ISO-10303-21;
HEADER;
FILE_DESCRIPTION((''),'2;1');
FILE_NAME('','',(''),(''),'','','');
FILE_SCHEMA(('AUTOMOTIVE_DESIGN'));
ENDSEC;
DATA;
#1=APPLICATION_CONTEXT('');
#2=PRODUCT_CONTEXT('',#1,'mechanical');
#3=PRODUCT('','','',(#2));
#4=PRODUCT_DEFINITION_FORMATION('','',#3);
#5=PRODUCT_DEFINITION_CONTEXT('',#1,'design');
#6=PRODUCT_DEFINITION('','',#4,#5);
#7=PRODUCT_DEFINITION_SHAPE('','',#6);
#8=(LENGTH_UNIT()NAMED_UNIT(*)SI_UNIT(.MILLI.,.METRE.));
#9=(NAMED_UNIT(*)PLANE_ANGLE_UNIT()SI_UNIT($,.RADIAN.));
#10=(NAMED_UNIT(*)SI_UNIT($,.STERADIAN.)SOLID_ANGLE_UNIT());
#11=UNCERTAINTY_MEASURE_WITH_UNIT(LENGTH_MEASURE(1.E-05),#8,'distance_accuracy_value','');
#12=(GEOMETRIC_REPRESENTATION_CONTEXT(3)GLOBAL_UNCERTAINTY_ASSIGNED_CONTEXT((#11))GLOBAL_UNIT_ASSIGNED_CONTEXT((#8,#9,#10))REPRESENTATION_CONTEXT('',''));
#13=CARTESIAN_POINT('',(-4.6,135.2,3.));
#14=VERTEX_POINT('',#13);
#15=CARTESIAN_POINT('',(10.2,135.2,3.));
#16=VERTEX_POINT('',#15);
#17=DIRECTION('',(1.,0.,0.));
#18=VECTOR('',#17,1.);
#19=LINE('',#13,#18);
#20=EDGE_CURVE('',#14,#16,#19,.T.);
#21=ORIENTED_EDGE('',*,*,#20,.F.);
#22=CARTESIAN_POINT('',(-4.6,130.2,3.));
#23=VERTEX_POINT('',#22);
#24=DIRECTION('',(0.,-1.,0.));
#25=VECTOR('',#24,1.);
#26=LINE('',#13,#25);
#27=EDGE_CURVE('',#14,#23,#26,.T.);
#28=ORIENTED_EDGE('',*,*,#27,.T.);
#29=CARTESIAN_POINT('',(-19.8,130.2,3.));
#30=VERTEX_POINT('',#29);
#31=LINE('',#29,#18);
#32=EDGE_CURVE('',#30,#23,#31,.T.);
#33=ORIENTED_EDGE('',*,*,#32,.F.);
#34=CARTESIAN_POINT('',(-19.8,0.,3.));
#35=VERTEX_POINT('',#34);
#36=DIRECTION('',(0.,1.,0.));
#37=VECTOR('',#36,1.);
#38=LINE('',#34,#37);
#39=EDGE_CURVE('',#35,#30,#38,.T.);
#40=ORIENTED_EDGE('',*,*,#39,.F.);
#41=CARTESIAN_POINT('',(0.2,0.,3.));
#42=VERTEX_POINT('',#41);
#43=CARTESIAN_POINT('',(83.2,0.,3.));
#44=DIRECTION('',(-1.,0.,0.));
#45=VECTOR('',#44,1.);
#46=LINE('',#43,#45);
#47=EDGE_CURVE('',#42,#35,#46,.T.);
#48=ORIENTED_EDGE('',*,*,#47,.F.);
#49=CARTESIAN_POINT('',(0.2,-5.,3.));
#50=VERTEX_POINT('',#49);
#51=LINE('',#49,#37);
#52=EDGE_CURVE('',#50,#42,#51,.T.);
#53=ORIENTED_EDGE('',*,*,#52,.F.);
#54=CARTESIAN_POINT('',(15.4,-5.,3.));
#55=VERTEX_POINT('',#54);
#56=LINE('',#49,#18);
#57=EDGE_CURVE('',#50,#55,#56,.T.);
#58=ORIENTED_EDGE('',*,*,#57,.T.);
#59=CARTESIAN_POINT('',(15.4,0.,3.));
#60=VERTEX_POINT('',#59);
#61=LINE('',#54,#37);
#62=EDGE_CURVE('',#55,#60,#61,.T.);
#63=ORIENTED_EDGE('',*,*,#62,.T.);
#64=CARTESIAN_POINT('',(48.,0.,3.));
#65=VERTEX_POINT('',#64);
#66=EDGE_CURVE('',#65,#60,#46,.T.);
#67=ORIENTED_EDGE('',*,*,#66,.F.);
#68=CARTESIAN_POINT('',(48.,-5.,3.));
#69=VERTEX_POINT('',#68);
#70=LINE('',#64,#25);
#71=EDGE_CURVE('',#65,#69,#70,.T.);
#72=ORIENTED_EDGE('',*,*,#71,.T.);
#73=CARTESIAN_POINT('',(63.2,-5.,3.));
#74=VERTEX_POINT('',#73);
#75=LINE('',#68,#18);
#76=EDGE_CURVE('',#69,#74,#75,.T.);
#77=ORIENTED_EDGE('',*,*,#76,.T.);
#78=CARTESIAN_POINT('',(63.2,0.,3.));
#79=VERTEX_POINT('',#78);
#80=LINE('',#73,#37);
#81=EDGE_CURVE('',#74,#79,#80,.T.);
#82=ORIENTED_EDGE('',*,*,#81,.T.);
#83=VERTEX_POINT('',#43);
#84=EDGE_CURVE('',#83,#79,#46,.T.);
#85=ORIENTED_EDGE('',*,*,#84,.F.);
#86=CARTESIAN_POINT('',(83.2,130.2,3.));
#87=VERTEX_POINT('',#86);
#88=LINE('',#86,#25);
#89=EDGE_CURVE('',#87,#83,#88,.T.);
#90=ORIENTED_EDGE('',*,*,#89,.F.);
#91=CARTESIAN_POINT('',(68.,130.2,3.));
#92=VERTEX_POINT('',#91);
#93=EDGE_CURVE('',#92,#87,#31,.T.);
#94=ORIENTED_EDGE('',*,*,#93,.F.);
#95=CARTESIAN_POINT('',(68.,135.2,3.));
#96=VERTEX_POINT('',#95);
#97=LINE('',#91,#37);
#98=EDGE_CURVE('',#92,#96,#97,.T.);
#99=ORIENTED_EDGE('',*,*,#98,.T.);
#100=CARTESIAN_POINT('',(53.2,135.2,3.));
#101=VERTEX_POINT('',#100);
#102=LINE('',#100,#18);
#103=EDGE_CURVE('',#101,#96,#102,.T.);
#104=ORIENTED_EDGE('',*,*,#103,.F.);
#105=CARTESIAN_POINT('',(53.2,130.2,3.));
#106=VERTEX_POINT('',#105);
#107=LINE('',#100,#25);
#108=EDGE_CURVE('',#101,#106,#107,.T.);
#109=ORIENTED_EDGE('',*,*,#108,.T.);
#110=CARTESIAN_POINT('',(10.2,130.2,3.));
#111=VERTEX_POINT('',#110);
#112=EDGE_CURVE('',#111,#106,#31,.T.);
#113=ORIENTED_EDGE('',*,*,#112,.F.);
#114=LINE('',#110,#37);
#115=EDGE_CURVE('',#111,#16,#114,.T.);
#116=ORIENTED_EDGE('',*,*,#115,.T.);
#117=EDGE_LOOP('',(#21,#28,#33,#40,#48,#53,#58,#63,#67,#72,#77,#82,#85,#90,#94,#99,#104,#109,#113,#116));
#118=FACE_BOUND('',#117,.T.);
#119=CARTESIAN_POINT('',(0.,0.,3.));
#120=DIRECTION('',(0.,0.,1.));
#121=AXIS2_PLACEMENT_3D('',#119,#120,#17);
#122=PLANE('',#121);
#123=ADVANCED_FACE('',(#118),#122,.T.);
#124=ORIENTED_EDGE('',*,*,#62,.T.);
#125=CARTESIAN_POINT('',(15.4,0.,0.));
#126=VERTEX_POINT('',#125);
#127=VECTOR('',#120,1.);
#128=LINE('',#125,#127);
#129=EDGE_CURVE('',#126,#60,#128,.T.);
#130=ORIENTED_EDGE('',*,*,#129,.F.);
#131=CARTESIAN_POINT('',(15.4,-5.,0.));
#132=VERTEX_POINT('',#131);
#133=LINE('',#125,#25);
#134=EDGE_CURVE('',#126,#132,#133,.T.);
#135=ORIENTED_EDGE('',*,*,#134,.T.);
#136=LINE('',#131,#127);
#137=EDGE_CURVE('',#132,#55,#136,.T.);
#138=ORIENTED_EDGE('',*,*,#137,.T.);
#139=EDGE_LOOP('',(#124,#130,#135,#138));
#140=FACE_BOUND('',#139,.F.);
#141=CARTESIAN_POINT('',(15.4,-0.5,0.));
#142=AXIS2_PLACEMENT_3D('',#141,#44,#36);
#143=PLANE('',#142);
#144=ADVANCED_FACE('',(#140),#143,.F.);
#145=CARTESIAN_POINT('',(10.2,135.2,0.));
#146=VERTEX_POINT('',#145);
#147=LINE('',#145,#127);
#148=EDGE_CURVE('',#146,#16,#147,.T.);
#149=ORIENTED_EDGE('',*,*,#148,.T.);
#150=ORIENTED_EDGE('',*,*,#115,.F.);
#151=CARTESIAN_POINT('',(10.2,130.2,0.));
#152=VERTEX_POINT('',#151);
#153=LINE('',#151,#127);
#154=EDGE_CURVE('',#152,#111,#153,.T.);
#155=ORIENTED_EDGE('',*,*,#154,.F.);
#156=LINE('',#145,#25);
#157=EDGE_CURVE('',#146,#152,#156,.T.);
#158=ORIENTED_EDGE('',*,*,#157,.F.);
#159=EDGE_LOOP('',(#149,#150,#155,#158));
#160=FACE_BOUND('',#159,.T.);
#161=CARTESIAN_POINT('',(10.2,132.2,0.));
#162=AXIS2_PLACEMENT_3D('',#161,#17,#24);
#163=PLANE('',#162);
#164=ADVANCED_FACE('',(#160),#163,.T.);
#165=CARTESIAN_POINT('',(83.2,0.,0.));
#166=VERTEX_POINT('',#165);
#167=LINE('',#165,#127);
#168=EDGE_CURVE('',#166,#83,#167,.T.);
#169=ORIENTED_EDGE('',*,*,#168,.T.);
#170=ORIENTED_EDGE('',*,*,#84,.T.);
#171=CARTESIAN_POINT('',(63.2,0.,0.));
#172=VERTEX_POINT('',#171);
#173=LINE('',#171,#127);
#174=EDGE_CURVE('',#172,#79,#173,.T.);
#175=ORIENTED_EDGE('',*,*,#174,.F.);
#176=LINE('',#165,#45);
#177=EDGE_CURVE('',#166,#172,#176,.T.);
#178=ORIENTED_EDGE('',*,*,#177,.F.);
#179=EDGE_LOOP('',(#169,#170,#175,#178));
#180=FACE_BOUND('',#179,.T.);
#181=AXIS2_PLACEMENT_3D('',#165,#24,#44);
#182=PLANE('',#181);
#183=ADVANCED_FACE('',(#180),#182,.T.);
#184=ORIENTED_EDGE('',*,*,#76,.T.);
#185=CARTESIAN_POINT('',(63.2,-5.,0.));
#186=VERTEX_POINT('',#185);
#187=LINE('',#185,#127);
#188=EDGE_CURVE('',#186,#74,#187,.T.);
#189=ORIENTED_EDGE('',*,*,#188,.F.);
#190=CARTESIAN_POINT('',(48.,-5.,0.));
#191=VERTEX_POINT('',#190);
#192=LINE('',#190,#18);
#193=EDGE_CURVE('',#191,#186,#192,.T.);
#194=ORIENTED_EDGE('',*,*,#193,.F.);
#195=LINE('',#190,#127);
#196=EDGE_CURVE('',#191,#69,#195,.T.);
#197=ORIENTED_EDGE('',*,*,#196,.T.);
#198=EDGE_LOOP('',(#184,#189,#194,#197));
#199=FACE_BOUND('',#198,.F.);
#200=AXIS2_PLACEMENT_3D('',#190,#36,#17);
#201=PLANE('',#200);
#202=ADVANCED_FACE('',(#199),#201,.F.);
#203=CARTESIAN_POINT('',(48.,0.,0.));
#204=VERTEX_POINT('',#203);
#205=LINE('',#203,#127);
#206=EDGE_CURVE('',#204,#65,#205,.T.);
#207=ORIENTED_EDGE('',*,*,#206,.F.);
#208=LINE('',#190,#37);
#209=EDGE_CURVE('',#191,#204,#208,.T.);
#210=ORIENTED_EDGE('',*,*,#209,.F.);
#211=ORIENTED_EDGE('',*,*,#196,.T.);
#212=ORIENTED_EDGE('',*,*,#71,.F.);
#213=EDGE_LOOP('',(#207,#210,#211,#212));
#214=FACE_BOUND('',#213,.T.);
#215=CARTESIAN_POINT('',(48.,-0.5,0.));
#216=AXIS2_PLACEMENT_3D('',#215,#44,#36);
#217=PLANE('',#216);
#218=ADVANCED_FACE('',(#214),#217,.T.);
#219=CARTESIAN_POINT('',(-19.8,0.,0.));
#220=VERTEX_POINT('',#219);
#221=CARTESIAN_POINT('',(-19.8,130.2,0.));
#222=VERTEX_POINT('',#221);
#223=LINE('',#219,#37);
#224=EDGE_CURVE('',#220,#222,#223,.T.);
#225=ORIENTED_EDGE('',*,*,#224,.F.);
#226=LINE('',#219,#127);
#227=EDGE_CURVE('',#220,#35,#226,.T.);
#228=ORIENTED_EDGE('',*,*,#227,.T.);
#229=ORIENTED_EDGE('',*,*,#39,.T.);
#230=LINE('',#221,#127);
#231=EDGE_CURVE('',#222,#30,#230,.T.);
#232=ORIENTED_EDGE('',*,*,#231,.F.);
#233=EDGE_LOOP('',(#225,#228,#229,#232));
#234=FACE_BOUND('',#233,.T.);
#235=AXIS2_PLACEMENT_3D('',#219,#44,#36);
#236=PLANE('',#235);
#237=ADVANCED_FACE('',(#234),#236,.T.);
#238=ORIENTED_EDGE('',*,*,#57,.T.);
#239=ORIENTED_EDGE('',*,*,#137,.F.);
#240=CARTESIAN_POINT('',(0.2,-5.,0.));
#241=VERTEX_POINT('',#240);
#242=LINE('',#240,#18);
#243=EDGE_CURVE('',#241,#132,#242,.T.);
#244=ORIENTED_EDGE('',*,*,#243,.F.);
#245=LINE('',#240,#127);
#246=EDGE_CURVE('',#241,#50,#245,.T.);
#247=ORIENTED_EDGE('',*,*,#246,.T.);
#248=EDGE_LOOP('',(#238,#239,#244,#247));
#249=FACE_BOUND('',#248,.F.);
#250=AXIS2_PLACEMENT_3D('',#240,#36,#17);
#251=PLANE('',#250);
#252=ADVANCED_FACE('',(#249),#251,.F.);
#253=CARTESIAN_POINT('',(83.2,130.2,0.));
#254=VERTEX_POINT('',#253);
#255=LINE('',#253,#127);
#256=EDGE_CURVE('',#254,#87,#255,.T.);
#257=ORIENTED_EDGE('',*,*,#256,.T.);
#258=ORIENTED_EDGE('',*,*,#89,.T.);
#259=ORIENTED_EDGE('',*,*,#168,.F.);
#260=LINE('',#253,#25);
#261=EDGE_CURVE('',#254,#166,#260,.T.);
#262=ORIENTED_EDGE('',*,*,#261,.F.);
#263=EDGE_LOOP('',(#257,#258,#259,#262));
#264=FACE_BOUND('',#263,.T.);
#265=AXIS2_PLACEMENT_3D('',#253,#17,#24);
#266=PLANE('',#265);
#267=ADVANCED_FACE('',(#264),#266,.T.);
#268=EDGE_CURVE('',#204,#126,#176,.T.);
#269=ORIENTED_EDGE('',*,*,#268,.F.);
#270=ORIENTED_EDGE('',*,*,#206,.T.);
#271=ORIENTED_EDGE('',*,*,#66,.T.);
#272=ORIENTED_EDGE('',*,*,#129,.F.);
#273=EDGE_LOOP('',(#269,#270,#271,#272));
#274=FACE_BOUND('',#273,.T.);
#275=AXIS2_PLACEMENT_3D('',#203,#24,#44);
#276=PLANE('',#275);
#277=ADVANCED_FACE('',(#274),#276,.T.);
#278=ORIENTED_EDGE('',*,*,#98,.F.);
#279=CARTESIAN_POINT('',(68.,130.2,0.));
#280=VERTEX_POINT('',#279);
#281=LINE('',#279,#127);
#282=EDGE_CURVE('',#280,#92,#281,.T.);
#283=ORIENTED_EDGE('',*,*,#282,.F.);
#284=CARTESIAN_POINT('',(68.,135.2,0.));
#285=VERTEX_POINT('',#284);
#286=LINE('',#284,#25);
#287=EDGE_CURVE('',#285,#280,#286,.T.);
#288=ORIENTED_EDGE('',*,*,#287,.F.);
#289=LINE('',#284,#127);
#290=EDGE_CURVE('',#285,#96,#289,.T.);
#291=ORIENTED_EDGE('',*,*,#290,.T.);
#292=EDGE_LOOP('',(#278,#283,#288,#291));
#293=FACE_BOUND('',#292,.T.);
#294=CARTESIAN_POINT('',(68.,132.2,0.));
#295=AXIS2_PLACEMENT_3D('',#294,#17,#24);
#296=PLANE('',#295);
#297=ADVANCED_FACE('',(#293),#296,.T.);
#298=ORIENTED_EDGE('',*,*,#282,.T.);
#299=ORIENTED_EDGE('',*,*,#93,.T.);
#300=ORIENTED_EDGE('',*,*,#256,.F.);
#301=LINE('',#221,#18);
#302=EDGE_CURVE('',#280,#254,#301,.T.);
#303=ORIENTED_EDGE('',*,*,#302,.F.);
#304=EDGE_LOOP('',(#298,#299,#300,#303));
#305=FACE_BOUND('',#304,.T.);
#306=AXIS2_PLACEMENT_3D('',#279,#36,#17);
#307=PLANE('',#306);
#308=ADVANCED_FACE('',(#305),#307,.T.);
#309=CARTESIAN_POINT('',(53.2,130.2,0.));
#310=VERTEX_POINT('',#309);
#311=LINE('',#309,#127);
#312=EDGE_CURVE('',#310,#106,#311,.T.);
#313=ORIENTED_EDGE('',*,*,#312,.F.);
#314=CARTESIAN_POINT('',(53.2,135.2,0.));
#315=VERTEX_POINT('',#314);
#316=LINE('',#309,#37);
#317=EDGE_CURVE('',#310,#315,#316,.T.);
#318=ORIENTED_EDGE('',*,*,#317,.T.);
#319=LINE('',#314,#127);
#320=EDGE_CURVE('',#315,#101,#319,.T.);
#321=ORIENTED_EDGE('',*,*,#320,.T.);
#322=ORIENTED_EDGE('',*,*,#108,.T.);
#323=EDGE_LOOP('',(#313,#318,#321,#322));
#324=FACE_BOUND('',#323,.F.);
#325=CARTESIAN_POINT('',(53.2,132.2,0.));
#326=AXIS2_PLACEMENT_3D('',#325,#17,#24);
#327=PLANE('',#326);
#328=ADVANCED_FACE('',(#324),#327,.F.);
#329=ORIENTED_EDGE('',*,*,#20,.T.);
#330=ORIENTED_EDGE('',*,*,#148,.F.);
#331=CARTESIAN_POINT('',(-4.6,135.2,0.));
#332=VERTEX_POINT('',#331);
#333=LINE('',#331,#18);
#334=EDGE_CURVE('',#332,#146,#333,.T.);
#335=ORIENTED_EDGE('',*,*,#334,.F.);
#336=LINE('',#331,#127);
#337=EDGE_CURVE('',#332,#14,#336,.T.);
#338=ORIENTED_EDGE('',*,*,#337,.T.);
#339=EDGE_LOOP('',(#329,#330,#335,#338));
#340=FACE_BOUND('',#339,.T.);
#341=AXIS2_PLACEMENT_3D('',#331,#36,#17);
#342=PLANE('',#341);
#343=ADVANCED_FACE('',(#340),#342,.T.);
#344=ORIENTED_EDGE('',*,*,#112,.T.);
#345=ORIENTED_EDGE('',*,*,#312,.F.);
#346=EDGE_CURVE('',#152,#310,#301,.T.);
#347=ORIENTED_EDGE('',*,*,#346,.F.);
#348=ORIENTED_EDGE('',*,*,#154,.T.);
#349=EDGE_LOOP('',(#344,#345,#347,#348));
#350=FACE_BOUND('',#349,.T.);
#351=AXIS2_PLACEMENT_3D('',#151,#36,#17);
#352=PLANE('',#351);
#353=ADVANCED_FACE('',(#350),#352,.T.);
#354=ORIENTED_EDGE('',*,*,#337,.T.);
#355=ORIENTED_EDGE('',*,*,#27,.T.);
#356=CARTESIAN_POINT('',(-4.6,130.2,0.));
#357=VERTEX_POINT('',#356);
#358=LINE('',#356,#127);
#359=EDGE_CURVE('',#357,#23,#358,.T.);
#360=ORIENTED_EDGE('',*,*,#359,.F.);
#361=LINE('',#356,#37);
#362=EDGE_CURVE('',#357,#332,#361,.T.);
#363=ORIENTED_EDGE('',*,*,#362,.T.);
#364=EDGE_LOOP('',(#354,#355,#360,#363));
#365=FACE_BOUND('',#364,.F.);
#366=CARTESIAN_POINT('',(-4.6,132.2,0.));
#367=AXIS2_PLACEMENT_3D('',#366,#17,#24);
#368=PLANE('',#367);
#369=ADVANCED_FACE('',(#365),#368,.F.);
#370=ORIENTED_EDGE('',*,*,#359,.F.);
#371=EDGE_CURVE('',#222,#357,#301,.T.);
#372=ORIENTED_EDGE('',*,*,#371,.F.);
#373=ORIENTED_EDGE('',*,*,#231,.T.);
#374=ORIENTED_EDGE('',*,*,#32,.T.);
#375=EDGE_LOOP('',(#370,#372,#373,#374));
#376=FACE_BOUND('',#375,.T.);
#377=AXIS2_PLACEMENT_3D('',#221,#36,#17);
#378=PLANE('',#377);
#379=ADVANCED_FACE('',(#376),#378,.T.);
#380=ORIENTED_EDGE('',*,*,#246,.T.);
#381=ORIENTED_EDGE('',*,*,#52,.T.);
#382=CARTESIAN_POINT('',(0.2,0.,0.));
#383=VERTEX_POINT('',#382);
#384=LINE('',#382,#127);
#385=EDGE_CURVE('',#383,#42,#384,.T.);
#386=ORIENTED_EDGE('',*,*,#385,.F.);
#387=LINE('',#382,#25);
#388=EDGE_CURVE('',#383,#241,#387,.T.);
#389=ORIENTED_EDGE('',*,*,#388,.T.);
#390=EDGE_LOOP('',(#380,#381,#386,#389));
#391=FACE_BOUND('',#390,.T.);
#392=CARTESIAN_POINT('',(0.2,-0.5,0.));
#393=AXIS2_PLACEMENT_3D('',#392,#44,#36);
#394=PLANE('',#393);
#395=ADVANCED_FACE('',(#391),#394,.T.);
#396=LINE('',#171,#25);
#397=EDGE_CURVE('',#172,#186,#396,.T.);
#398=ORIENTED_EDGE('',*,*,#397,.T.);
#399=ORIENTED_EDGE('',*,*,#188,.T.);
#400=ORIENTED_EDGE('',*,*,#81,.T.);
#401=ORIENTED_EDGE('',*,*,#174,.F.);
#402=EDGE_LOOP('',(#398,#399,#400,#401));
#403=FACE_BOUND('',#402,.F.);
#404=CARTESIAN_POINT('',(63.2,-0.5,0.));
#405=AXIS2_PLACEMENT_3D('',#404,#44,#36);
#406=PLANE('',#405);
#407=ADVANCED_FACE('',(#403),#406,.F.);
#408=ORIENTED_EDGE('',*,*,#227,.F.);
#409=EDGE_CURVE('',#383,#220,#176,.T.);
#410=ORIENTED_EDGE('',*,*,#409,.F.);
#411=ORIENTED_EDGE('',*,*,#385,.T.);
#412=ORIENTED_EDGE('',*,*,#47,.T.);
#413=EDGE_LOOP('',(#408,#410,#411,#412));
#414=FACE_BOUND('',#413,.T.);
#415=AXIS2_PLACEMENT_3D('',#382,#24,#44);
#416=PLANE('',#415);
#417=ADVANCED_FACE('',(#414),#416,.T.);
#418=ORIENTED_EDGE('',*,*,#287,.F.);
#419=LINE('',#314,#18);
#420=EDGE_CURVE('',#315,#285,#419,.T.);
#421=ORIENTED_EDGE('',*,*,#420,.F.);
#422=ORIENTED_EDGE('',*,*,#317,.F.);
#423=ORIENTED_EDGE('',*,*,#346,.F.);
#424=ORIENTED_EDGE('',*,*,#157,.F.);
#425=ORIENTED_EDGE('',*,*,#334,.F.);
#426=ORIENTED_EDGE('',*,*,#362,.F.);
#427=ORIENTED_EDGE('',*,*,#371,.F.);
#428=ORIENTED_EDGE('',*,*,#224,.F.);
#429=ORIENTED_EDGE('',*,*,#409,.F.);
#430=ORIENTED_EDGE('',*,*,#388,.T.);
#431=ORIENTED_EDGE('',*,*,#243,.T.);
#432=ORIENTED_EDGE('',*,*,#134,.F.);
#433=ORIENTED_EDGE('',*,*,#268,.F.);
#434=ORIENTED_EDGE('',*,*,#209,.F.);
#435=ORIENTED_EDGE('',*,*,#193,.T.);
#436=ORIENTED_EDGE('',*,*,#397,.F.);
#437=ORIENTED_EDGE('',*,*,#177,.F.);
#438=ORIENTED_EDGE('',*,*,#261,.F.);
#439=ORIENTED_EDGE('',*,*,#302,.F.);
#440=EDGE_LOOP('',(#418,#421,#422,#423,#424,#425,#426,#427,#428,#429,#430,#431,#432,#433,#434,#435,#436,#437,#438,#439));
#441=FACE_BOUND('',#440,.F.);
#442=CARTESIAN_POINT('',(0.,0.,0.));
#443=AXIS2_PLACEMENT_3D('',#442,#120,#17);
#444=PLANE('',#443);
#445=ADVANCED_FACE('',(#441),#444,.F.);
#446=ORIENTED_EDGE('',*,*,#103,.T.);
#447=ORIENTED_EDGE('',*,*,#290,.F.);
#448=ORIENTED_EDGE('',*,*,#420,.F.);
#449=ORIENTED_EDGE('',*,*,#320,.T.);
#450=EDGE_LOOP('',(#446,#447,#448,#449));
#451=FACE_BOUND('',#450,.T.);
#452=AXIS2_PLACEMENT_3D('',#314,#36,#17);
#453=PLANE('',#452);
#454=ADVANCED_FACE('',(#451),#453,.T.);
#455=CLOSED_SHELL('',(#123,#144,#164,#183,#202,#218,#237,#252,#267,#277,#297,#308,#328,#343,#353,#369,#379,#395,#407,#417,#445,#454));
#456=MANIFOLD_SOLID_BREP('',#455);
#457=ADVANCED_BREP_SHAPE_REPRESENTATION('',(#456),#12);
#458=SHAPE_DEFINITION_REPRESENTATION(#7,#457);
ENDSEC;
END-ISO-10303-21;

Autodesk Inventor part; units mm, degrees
ref_plane "YZ Plane" through (0, 0, 0) normal (1, 0, 0) x (0, 1, 0)
ref_plane "XZ Plane" through (0, 0, 0) normal (0, 1, 0) x (-1, 0, 0)
ref_plane "XY Plane" through (0, 0, 0) normal (0, 0, 1) x (1, 0, 0)
sketch "Sketch1" plane through (0, 0, 0) normal (0, 0, 1) x (1, 0, 0)
  line L0 (0, -0.5) -> (15.6, -0.5) projected
  line L1 (0, -0.5) -> (0, -15) projected
  line L2 (0, -15) -> (15.6, -15) projected
  line L3 (15.6, -0.5) -> (15.6, -15) projected
  line L4 (47.8, -0.5) -> (63.4, -0.5) projected
  line L5 (47.8, -0.5) -> (47.8, -15) projected
  line L6 (47.8, -15) -> (63.4, -15) projected
  line L7 (63.4, -0.5) -> (63.4, -15) projected
  line L8 (53, 136.2) -> (53, 132.2) projected
  line L9 (53, 132.2) -> (68.2, 132.2) projected
  line L10 (68.2, 136.2) -> (68.2, 132.2) projected
  line L11 (68.2, 136.2) -> (53, 136.2) projected
  line L12 (-4.8, 136.2) -> (-4.8, 132.2) projected
  line L13 (-4.8, 132.2) -> (10.4, 132.2) projected
  line L14 (10.4, 136.2) -> (10.4, 132.2) projected
  line L15 (-4.8, 136.2) -> (10.4, 136.2) projected
  line L16 (63.2, -0.7) -> (48, -0.7)
  line L17 (48, -0.7) -> (48, -14.8)
  line L18 (48, -14.8) -> (63.2, -14.8)
  line L19 (63.2, -14.8) -> (63.2, -0.7)
  line L20 (15.4, -14.8) -> (0.2, -14.8)
  line L21 (0.2, -14.8) -> (0.2, -0.7)
  line L22 (0.2, -0.7) -> (15.4, -0.7)
  line L23 (15.4, -0.7) -> (15.4, -14.8)
  line L24 (53.2, 136) -> (53.2, 132.4)
  line L25 (53.2, 132.4) -> (68, 132.4)
  line L26 (68, 132.4) -> (68, 136)
  line L27 (68, 136) -> (53.2, 136)
  line L28 (10.2, 132.4) -> (-4.6, 132.4)
  line L29 (-4.6, 132.4) -> (-4.6, 136)
  line L30 (-4.6, 136) -> (10.2, 136)
  line L31 (10.2, 136) -> (10.2, 132.4)
  line L32 (-19.8, 130.2) -> (-19.8, 136.2) projected
  line L33 (-19.8, 130.2) -> (83.2, 130.2) projected
  line L34 (83.2, 136.2) -> (83.2, 130.2) projected
  line L35 (-19.8, 136.2) -> (83.2, 136.2) projected
  line L36 (-19.8, -29) -> (-19.8, 0) projected
  line L37 (-19.8, -29) -> (83.2, -29) projected
  line L38 (83.2, 0) -> (83.2, -29) projected
  line L39 (83.2, 0) -> (-19.8, 0) projected
  line L40 (67.8, -18.7754) -> (66.8, -18.7754) projected
  line L41 (66.8, -18.7754) -> (66.8, -22.0248) projected
  line L42 (66.8, -22.0248) -> (67.8, -22.0248) projected
  line L43 (67.8, -22.0248) -> (67.8, -24.6628) projected
  line L44 (67.8, -24.6628) -> (52.5, -24.6628) projected
  line L45 (52.5, -24.6628) -> (52.5, -22.0248) projected
  line L46 (52.5, -22.0248) -> (53.5, -22.0248) projected
  line L47 (53.5, -22.0248) -> (53.5, -18.7754) projected
  line L48 (53.5, -18.7754) -> (52.5, -18.7754) projected
  line L49 (52.5, -18.7754) -> (52.5, -16.1374) projected
  line L50 (52.5, -16.1374) -> (67.8, -16.1374) projected
  line L51 (67.8, -16.1374) -> (67.8, -18.7754) projected
  line L52 (-19.8, 130.2) -> (83.2, 130.2)
  line L53 (83.2, 130.2) -> (83.2, 0)
  line L54 (83.2, 0) -> (-19.8, 0)
  line L55 (-19.8, 0) -> (-19.8, 130.2)
  line L56 (63.2, -0.7) -> (63.2, 0)
  line L57 (48, -0.7) -> (48, 0)
  line L58 (15.4, -0.7) -> (15.4, 0)
  line L59 (0.2, -0.7) -> (0.2, 0)
  line L60 (0.2, -5) -> (15.4, -5)
  line L61 (48, -5) -> (63.2, -5)
  line L62 (53.2, 132.4) -> (53.2, 130.2)
  line L63 (68, 132.4) -> (68, 130.2)
  line L64 (10.2, 132.4) -> (10.2, 130.2)
  line L65 (-4.6, 132.4) -> (-4.6, 130.2)
  line L66 (-4.6, 135.2) -> (10.2, 135.2)
  line L67 (53.2, 135.2) -> (68, 135.2)
  point P0 (0, 0)
  dimension "d0" = 0.2
  dimension "d1" = 0.2
  dimension "d2" = 0.2
  dimension "d3" = 0.2
  dimension "d4" = 5
  dimension "d5" = 5
extrude "Extrusion1" add sketch "Sketch1" along normal blind 3 contours L59 L39 L58 L0 | L0 L58 L22 L59 | L22 L23 L60 L21 | L39 L55 L33 L53 | L39 L56 L4 L57 | L4 L56 L16 L57 | L65 L13 L64 L33 | L16 L19 L61 L17 | L65 L28 L64 L13 | L62 L9 L63 L33 | L29 L66 L31 L28 | L62 L25 L63 L9 | L24 L67 L26 L25
properties part number "sideWall_r"
